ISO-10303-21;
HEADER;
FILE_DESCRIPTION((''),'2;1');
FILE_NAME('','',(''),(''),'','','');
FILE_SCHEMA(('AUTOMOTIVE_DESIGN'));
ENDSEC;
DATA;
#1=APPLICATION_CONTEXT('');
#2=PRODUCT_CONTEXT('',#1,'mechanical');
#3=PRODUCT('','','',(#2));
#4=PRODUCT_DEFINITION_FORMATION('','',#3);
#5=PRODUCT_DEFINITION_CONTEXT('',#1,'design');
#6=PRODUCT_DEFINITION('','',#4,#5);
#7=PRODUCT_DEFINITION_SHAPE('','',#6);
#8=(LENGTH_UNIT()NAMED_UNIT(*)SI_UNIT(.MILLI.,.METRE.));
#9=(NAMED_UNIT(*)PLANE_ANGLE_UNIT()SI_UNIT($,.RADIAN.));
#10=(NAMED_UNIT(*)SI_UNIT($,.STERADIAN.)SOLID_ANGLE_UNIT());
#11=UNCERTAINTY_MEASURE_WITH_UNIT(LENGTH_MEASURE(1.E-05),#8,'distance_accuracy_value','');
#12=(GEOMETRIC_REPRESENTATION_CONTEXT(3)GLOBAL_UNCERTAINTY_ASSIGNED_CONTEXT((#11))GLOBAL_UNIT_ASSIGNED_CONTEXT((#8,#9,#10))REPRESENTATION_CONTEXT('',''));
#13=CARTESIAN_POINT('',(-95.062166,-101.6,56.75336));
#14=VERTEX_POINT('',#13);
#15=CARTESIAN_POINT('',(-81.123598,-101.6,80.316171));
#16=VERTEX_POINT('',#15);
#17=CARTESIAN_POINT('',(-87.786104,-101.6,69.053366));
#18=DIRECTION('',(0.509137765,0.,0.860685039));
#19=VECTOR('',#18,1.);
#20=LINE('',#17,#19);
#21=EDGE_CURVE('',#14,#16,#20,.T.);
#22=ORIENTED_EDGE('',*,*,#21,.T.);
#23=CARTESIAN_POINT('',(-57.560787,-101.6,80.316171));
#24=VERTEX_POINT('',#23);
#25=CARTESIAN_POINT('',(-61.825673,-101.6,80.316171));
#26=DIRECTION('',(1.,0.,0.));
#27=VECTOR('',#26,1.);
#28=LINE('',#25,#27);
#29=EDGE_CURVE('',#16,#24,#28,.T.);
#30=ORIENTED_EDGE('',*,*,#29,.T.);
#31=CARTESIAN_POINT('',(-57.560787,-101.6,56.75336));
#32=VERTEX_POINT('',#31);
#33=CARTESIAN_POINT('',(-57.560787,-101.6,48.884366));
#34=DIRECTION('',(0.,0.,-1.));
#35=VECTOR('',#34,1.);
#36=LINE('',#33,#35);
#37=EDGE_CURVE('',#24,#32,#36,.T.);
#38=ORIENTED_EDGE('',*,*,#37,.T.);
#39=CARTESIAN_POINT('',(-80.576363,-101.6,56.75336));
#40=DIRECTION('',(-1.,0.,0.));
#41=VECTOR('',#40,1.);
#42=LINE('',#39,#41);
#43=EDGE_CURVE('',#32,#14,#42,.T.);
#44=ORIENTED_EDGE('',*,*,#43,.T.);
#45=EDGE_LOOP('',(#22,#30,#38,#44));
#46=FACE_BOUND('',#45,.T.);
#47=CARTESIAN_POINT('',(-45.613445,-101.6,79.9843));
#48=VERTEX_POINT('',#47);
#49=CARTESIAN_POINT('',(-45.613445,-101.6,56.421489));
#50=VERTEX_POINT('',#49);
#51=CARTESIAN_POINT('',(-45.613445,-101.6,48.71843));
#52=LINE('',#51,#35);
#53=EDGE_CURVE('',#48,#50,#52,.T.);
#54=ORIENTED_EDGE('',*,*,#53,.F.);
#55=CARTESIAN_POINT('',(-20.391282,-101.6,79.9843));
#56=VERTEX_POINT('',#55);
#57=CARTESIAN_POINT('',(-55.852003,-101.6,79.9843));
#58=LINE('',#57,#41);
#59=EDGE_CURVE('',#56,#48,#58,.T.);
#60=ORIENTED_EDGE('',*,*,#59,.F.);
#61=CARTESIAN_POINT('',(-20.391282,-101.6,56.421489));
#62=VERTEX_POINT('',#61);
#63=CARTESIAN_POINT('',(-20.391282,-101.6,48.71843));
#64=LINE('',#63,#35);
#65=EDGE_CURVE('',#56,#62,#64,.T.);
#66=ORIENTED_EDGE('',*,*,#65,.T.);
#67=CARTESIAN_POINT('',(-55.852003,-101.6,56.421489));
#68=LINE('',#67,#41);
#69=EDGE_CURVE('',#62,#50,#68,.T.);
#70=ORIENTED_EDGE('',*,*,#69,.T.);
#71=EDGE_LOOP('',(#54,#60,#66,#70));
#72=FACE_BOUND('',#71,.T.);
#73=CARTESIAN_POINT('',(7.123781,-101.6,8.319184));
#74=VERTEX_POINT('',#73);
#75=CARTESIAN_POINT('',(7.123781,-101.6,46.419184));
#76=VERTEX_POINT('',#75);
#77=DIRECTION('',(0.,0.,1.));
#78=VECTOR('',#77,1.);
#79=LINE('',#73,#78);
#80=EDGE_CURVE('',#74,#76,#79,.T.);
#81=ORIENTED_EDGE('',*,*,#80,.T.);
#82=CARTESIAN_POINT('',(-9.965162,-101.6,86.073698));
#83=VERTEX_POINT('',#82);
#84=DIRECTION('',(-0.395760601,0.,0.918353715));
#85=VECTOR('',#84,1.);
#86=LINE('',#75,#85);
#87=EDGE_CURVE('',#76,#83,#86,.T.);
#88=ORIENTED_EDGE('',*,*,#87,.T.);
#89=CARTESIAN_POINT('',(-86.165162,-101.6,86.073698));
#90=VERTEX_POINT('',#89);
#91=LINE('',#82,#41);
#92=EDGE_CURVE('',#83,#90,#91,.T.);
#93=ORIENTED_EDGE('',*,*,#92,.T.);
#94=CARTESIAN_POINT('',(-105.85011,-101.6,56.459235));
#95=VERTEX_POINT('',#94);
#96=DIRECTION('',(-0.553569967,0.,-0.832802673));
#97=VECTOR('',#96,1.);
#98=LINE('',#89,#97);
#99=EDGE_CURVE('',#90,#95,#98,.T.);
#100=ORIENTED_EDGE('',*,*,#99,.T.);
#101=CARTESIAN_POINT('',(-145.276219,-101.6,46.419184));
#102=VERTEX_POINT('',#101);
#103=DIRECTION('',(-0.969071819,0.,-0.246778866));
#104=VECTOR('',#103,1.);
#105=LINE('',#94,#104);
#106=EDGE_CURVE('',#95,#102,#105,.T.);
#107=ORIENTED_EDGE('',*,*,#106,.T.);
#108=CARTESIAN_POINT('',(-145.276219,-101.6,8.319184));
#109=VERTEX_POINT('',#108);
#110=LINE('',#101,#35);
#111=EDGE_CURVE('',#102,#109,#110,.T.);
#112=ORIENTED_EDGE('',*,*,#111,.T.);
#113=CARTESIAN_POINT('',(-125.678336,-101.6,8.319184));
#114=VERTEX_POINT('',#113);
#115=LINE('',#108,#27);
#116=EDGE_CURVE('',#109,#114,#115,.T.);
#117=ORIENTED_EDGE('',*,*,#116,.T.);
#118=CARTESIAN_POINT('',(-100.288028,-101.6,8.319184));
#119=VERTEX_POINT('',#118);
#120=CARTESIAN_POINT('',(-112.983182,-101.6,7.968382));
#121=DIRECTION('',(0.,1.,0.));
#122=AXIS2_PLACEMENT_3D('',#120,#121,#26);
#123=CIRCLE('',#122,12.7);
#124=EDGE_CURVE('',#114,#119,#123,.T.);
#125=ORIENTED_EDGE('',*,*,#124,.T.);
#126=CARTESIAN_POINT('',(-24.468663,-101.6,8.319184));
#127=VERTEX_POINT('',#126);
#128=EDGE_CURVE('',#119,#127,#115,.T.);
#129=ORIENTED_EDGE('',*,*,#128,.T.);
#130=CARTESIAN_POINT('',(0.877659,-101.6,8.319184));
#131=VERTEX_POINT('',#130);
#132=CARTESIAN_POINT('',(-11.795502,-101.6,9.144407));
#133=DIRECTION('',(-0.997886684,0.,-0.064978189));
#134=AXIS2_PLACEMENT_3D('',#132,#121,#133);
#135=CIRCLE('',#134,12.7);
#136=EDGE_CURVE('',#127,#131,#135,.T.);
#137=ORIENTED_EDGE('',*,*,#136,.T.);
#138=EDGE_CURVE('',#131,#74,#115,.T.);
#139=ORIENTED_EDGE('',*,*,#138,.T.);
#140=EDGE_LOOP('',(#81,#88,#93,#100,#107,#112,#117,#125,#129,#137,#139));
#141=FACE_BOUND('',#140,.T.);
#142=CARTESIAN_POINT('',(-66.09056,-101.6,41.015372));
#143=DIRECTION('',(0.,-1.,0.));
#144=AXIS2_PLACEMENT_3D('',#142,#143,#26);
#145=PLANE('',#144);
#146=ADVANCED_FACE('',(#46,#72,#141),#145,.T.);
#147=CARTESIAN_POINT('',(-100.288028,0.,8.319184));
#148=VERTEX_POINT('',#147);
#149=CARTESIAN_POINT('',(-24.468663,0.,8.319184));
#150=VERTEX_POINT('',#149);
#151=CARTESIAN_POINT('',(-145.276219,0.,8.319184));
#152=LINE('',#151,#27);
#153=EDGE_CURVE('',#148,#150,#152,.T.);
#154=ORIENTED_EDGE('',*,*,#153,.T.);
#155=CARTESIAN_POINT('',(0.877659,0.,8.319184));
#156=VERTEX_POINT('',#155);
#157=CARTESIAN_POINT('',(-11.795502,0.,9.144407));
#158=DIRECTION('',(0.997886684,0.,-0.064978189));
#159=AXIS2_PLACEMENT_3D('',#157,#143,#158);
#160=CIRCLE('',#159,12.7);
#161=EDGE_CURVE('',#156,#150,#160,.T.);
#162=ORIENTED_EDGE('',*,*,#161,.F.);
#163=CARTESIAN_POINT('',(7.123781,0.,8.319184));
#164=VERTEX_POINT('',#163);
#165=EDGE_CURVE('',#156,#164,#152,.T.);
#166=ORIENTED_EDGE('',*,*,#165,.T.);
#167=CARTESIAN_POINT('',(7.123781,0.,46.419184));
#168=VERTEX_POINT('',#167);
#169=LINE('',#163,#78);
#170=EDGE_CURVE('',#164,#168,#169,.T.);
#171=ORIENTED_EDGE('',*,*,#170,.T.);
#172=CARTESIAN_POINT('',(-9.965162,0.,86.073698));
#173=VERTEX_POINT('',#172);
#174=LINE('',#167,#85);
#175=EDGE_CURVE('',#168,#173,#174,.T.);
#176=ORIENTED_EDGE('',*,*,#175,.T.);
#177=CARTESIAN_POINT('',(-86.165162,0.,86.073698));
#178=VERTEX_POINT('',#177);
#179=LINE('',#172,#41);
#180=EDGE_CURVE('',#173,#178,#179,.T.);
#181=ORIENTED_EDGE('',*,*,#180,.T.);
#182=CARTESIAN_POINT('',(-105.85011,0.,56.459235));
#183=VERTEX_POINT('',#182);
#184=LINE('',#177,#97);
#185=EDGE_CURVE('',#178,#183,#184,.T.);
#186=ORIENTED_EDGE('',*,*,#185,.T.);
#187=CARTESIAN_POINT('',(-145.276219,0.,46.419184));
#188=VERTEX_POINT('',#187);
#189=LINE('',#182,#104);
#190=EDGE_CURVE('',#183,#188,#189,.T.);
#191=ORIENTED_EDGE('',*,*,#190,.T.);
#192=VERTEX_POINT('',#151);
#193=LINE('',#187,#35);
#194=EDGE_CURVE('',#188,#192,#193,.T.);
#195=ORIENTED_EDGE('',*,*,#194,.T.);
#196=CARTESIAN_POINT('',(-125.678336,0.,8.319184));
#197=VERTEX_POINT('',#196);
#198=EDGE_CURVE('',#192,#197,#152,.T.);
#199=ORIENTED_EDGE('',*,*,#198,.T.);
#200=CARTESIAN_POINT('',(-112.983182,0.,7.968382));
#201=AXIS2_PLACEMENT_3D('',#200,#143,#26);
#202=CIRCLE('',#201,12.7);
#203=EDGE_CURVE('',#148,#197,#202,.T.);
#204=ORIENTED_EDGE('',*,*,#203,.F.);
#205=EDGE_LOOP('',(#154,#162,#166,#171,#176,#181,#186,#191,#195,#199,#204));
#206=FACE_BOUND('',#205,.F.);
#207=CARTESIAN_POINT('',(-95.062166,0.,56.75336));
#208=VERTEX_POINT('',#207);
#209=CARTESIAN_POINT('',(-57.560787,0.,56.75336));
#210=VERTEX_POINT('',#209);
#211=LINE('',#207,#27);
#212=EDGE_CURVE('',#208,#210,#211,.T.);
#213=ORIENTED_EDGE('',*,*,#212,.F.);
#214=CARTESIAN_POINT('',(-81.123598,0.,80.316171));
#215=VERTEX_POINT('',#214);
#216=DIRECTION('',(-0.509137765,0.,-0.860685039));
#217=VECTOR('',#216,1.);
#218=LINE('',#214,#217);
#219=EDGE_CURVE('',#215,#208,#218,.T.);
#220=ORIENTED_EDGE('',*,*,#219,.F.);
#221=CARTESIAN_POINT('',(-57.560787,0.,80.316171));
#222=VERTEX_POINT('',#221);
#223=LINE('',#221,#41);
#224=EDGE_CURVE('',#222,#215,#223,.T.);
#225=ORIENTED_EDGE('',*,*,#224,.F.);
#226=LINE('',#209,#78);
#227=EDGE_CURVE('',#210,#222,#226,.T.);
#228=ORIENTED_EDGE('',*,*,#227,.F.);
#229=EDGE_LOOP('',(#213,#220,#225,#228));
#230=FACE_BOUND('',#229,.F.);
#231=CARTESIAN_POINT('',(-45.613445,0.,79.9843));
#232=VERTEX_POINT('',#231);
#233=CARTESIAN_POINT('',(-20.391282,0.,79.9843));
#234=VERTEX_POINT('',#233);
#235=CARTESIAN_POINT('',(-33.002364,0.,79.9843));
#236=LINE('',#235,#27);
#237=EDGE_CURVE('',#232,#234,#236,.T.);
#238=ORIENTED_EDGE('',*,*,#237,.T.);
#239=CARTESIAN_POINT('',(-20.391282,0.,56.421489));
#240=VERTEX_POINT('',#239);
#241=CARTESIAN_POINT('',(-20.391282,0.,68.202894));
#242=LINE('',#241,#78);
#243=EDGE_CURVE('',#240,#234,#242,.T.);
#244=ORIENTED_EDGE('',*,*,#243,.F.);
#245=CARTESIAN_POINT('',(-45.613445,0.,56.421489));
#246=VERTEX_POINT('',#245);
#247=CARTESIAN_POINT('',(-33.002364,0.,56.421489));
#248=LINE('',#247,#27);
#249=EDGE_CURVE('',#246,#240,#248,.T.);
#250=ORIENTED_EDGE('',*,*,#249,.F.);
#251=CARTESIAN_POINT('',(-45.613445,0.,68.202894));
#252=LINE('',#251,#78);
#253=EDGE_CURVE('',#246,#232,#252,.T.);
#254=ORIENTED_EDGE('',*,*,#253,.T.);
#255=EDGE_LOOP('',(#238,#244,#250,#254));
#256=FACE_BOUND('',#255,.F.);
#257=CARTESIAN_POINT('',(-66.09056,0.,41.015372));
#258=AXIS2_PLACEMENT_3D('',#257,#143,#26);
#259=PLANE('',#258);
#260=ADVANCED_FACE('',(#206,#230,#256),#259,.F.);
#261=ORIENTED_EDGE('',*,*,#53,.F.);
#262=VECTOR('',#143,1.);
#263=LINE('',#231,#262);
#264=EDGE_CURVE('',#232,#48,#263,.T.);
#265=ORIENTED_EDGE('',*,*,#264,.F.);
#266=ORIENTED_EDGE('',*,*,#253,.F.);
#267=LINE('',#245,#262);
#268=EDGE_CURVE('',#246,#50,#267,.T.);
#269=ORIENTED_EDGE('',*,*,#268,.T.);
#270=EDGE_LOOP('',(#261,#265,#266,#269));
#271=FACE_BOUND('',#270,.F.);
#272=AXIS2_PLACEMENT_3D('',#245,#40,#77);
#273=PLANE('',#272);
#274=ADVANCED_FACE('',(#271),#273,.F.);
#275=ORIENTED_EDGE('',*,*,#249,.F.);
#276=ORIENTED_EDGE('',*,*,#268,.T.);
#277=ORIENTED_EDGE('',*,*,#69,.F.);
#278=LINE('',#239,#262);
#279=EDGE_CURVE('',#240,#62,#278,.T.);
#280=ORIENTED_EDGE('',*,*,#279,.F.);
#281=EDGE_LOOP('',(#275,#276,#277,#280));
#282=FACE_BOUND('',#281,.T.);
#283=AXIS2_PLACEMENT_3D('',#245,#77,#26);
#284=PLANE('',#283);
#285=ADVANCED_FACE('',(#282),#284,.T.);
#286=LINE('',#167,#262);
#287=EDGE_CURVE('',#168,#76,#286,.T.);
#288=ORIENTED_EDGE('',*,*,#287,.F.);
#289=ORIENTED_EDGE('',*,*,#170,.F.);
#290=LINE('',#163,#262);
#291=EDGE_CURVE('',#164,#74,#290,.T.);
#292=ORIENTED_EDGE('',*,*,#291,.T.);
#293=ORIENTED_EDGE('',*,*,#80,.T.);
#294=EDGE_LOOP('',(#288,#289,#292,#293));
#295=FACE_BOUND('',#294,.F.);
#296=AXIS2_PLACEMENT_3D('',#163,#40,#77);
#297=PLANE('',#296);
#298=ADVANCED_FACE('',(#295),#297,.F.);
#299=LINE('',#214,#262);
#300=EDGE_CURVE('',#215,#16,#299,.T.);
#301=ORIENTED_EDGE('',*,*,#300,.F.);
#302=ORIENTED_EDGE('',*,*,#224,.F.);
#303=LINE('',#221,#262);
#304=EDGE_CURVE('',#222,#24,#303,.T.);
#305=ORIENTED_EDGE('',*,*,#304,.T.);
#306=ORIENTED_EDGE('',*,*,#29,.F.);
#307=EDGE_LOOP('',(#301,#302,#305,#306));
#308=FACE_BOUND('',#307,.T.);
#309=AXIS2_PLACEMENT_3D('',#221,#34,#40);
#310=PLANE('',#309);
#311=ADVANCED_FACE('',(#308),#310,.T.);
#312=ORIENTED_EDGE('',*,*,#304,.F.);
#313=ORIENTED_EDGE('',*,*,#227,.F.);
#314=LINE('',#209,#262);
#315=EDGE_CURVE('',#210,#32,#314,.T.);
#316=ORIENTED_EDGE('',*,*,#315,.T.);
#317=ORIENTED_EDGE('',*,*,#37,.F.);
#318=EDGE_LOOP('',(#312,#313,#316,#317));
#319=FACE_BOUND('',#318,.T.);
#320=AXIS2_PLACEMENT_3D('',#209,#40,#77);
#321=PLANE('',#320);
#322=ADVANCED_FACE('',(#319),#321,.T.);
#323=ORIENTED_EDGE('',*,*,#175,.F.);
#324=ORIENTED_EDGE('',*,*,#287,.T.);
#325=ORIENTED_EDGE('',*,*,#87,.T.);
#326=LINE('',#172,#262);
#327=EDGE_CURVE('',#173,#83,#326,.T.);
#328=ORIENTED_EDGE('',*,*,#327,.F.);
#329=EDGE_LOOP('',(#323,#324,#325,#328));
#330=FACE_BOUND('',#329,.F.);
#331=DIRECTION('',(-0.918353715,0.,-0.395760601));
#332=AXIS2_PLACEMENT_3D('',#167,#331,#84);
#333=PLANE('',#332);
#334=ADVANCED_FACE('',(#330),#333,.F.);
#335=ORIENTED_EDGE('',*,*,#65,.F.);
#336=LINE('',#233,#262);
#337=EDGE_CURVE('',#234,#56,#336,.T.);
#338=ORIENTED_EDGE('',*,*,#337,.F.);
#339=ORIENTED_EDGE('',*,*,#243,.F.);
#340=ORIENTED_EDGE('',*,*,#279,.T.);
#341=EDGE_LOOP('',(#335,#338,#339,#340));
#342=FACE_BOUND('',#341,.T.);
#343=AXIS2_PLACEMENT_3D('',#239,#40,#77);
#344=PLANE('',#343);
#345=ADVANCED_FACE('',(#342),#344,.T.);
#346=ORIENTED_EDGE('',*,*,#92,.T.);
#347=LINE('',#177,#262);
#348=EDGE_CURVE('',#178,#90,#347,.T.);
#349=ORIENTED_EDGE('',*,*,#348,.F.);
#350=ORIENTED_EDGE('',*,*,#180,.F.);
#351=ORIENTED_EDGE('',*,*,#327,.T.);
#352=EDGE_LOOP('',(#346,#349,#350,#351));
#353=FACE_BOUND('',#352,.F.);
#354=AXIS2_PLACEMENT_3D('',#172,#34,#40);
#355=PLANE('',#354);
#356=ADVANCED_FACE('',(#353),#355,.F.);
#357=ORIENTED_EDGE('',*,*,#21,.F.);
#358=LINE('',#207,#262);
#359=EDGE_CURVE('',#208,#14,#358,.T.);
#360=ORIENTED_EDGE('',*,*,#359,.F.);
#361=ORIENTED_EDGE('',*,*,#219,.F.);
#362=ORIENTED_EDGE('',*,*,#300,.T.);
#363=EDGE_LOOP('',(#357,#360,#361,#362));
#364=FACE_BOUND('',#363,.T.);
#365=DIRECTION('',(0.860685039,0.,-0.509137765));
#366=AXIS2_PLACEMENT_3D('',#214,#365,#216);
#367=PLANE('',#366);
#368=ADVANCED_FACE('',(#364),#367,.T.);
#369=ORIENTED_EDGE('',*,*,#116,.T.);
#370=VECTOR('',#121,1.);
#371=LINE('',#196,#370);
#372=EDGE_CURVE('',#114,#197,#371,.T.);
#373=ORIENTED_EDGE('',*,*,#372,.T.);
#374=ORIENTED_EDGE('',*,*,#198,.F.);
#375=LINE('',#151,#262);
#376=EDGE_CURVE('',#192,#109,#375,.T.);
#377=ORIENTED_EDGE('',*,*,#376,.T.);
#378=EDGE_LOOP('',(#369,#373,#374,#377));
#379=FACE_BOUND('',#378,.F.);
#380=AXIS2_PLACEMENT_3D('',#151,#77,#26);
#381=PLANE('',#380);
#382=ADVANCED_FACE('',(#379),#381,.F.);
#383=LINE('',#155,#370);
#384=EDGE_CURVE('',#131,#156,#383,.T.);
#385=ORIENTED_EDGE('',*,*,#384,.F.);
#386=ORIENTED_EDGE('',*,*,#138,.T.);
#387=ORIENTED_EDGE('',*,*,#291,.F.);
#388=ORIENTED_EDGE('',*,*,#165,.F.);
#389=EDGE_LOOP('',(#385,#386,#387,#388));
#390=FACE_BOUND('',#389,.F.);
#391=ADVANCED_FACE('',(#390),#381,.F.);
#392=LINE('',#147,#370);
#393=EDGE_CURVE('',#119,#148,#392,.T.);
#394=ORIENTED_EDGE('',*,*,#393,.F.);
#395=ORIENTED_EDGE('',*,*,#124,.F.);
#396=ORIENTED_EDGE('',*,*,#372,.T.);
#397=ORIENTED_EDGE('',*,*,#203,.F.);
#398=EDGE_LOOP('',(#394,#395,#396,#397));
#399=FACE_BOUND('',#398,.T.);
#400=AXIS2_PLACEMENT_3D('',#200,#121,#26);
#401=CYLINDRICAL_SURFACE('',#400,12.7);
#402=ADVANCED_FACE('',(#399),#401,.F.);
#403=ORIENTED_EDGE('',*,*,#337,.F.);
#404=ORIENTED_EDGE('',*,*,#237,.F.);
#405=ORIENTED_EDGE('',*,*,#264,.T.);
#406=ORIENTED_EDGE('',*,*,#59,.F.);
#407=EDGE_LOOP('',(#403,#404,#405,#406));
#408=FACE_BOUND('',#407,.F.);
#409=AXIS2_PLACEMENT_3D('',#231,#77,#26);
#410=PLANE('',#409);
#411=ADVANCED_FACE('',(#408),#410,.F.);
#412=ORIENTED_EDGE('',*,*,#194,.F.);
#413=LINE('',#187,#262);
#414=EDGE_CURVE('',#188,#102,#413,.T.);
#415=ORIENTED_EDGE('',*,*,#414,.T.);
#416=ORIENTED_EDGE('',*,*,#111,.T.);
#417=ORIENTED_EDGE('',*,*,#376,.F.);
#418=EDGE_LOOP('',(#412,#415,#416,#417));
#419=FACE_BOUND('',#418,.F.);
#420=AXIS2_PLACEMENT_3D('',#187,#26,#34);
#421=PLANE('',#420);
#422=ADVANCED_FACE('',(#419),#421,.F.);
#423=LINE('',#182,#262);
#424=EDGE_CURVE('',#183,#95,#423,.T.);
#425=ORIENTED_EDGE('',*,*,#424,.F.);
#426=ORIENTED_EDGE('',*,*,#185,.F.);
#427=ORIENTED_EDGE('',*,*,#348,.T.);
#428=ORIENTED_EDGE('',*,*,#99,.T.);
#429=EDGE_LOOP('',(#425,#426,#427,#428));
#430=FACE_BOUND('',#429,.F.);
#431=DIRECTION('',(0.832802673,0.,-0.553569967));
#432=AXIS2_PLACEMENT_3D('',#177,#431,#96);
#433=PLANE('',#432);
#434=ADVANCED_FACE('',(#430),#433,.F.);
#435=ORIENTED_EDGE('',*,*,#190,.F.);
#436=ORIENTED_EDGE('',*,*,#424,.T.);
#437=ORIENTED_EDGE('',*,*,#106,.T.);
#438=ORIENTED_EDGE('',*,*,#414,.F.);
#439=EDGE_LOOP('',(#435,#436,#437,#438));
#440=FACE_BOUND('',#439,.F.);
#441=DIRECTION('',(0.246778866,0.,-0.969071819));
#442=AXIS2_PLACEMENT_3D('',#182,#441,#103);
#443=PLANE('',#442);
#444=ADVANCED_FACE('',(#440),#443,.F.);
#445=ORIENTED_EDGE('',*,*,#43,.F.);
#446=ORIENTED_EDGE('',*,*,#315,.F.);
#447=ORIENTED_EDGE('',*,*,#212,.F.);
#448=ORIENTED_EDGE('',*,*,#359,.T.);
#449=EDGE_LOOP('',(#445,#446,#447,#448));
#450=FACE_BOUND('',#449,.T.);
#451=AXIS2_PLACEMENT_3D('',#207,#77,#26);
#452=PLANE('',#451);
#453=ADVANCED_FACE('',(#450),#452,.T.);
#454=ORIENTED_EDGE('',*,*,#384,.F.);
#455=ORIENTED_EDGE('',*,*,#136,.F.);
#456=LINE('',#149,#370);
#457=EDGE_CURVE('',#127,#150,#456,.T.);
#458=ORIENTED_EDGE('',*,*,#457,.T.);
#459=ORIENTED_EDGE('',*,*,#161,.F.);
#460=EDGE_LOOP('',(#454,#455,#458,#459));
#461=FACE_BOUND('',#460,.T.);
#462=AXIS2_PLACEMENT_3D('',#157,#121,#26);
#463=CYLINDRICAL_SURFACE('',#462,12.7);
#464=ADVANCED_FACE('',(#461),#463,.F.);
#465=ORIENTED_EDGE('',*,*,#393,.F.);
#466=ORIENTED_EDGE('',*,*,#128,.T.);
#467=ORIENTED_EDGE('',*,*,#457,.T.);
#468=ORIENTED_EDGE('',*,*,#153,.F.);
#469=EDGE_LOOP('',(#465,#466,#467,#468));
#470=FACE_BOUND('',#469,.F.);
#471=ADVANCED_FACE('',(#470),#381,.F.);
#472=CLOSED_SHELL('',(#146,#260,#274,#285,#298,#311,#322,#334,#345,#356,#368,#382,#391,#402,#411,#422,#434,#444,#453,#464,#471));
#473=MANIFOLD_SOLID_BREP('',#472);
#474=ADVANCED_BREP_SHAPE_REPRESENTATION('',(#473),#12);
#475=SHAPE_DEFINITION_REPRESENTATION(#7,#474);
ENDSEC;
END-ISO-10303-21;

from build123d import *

# Parameters (mm, degrees)
F1_DEPTH = 101.6
F3_DEPTH = 115.062
F4_W     = 25.222163
F4_H     = 23.562811
F5_DEPTH = 157.988
F6_R     = 12.7
F7_DEPTH = 195.834
F8_R     = 12.7
F9_DEPTH = 145.542


with BuildPart() as f1:
    # F0 (on Front) → F1 (new body)
    with BuildSketch(Plane.XZ):
        Polygon((-105.85011, 56.459235), (-145.276219, 46.419184), (-145.276219, 8.319184), (7.123781, 8.319184), (7.123781, 46.419184), (-9.965162, 86.073698), (-86.165162, 86.073698), align=None)
    extrude(amount=F1_DEPTH)

    # F2 (on Front) → F3 (cut)
    with BuildSketch(Plane.XZ):
        Polygon((-81.123598, 80.316171), (-95.062166, 56.75336), (-57.560787, 56.75336), (-57.560787, 80.316171), align=None)
    extrude(amount=F3_DEPTH, mode=Mode.SUBTRACT)

    # F4 (on Front) → F5 (cut)
    with BuildSketch(Plane.XZ):
        with Locations((-33.002364, 68.202894)):
            Rectangle(F4_W, F4_H)
    extrude(amount=F5_DEPTH, mode=Mode.SUBTRACT)

    # F6 (on Front) → F7 (cut)
    with BuildSketch(Plane.XZ):
        with Locations((-112.983182, 7.968382)):
            Circle(F6_R)
    extrude(amount=F7_DEPTH, mode=Mode.SUBTRACT)

    # F8 (on Front) → F9 (cut)
    with BuildSketch(Plane.XZ):
        with Locations((-11.795502, 9.144407)):
            Circle(F8_R)
    extrude(amount=F9_DEPTH, mode=Mode.SUBTRACT)


solid = f1.part
